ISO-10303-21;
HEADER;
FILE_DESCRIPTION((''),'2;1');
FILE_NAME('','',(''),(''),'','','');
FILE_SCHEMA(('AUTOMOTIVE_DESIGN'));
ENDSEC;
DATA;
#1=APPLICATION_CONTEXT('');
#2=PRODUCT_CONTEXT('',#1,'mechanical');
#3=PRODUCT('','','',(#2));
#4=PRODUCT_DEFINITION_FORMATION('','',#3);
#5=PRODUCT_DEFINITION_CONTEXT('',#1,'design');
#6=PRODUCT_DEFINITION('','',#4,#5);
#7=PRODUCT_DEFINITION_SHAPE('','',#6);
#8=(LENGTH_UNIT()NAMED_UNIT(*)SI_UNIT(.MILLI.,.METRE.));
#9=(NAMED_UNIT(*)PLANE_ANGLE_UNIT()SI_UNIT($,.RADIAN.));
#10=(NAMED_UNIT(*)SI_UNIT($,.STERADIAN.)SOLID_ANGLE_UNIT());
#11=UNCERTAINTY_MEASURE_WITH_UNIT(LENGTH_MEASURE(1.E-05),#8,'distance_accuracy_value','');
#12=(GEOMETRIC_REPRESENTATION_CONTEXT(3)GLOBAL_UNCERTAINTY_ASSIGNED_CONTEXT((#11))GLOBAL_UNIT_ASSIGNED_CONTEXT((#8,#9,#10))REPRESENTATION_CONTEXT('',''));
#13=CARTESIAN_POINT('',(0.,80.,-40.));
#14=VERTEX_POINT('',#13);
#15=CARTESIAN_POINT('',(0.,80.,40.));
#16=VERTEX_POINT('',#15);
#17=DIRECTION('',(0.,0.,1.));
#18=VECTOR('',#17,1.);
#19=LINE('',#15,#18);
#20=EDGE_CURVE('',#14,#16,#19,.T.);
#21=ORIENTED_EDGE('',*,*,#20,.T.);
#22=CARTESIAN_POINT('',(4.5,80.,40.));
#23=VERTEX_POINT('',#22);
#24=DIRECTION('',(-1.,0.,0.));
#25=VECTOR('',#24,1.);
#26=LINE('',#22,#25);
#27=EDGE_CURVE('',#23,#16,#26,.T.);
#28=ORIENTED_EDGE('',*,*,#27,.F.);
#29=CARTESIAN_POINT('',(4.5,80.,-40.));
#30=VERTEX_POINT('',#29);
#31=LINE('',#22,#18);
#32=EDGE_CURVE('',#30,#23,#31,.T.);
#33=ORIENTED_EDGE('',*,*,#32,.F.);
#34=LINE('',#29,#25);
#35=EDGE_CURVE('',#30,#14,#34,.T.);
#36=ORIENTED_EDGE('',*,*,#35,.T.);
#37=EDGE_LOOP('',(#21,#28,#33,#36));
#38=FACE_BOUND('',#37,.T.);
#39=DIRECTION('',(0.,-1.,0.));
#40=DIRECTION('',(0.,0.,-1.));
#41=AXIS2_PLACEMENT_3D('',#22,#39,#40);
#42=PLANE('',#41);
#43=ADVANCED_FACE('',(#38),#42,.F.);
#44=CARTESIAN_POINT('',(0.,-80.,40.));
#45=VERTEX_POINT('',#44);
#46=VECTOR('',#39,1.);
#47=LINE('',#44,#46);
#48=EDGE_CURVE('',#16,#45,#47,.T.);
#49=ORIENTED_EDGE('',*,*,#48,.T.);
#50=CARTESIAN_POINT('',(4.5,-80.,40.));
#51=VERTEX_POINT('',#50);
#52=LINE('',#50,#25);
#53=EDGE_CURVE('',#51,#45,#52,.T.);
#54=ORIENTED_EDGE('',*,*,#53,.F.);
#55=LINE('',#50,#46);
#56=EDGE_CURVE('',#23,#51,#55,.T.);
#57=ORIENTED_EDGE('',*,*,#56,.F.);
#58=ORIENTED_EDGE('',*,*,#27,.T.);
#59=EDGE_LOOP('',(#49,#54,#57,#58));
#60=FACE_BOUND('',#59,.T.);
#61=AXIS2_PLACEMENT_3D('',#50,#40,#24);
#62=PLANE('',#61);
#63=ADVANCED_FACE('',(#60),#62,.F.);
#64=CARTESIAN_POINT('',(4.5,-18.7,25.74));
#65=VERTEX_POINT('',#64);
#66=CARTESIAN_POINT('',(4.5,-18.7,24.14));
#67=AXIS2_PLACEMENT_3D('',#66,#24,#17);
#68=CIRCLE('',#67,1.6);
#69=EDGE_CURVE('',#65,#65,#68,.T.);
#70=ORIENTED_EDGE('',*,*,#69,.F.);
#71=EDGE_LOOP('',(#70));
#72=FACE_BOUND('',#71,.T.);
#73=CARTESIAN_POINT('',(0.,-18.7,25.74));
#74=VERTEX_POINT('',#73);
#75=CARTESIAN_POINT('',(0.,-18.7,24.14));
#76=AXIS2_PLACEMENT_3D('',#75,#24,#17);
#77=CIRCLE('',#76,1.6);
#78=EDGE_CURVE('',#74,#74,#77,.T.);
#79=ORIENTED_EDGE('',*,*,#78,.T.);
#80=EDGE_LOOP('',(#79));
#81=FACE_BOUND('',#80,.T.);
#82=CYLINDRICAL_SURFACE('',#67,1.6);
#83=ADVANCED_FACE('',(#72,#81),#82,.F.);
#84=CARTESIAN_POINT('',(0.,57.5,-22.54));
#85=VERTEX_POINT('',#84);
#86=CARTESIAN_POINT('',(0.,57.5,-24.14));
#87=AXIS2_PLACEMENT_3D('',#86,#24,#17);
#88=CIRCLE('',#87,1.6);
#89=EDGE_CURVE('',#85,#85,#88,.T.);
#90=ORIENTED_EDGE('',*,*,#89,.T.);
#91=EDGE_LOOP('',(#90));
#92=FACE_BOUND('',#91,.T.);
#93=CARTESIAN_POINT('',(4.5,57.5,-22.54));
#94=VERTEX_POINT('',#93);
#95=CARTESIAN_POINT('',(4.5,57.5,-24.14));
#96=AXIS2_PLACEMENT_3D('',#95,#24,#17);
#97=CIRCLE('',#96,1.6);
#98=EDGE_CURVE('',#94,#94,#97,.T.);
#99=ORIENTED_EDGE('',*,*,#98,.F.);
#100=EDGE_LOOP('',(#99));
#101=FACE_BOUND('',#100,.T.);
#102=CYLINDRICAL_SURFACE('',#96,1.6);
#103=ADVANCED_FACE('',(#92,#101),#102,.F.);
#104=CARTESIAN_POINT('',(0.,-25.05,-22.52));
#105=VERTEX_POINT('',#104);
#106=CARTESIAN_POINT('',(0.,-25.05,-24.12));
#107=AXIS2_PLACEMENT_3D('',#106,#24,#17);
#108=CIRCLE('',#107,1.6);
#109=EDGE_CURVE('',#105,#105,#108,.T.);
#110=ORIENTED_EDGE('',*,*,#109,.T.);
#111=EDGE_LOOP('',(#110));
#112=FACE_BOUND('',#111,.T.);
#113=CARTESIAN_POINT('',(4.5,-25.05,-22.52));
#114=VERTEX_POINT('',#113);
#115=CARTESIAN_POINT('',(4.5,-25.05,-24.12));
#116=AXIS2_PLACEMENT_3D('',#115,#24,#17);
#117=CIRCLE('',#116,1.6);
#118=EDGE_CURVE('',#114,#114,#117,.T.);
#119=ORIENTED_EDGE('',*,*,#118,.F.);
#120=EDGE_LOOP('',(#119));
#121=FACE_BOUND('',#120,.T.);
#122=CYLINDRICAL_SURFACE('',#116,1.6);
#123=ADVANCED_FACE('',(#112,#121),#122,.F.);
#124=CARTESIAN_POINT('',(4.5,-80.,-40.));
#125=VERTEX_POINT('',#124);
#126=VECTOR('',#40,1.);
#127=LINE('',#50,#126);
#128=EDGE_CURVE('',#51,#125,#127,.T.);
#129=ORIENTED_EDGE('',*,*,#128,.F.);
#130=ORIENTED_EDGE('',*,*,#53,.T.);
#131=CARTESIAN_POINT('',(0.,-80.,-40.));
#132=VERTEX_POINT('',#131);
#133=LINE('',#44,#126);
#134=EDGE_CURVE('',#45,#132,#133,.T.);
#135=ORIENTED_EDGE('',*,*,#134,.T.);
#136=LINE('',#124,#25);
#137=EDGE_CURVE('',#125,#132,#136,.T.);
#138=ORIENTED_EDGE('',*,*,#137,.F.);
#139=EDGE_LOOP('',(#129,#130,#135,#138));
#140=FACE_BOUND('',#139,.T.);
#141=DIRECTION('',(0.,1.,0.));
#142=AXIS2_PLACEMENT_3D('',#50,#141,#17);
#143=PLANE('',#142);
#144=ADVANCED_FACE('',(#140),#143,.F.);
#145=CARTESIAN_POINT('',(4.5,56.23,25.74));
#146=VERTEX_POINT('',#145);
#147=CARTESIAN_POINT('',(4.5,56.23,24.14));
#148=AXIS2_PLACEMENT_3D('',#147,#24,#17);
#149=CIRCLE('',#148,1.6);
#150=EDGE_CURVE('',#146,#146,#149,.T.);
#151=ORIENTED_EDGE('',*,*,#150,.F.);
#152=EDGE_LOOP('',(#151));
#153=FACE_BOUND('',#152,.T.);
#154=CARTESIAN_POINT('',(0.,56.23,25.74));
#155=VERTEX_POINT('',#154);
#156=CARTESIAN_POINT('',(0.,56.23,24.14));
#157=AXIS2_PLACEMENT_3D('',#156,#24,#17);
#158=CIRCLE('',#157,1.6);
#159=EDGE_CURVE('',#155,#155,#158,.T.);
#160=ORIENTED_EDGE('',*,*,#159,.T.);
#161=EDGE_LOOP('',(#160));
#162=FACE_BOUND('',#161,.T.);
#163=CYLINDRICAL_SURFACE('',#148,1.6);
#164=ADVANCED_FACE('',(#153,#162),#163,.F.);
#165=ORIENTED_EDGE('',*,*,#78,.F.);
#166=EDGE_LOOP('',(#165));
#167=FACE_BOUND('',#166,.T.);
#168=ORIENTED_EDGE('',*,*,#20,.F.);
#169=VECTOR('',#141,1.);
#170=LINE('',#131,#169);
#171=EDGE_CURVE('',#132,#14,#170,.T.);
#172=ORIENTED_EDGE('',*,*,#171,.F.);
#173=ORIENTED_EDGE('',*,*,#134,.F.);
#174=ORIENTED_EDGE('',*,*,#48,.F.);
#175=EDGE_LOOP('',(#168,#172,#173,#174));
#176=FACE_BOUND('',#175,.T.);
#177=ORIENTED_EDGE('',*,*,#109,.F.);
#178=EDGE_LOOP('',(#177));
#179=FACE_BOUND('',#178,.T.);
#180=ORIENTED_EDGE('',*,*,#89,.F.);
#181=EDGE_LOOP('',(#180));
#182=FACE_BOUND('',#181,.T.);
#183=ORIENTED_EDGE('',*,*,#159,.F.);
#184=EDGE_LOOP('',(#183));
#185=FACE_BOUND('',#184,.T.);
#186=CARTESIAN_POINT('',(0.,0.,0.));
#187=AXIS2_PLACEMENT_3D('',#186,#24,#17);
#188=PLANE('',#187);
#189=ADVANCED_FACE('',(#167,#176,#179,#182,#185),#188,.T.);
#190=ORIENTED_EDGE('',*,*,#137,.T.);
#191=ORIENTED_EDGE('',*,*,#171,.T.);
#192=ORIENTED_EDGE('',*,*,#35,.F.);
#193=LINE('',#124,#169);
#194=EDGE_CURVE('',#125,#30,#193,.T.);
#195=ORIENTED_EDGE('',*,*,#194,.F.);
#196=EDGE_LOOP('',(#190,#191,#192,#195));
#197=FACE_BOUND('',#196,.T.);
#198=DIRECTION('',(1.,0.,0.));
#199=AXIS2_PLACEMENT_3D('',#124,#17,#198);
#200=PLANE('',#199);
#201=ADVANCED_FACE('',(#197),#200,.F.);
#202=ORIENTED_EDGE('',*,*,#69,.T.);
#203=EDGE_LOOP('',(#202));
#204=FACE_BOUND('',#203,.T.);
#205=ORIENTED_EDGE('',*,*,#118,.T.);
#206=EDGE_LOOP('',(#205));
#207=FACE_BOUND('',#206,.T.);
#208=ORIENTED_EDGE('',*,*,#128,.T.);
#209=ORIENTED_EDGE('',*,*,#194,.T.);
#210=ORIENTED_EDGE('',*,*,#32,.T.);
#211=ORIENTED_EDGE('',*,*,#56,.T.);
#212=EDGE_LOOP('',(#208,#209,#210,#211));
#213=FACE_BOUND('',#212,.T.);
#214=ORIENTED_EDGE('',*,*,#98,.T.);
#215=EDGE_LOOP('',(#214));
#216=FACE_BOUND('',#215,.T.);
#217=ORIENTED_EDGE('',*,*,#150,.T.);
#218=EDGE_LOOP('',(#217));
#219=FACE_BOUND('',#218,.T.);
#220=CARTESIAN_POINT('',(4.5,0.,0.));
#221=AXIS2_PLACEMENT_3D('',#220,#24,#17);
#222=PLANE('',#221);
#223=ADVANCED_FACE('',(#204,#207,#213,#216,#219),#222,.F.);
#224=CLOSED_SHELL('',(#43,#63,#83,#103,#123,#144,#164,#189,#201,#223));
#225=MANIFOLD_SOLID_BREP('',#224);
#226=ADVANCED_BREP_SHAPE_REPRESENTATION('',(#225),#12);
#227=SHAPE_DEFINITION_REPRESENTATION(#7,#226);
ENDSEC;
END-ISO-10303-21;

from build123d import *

# Parameters (mm, degrees)
SKETCH1_W           = 80
SKETCH1_H           = 160
BOSS_EXTRUDE1_DEPTH = 4.5
SKETCH2_R           = 1.6
CUT_EXTRUDE1_DEPTH  = 4.5


with BuildPart() as part:
    # Sketch1 → Boss-Extrude1 (new body)
    with BuildSketch(Plane(origin=(0, 0, 0), x_dir=(0, 0, -1), z_dir=(1, 0, 0))):
        Rectangle(SKETCH1_W, SKETCH1_H)
    extrude(amount=BOSS_EXTRUDE1_DEPTH)

    # Sketch2 → Cut-Extrude1 (cut)
    with BuildSketch(Plane.ZY):
        with Locations((-24.14, 57.5)):
            Circle(SKETCH2_R)
        with Locations((24.14, 56.23)):
            Circle(SKETCH2_R)
        with Locations((24.14, -18.7)):
            Circle(SKETCH2_R)
        with Locations((-24.12, -25.05)):
            Circle(SKETCH2_R)
    extrude(amount=-CUT_EXTRUDE1_DEPTH, mode=Mode.SUBTRACT)


solid = part.part
